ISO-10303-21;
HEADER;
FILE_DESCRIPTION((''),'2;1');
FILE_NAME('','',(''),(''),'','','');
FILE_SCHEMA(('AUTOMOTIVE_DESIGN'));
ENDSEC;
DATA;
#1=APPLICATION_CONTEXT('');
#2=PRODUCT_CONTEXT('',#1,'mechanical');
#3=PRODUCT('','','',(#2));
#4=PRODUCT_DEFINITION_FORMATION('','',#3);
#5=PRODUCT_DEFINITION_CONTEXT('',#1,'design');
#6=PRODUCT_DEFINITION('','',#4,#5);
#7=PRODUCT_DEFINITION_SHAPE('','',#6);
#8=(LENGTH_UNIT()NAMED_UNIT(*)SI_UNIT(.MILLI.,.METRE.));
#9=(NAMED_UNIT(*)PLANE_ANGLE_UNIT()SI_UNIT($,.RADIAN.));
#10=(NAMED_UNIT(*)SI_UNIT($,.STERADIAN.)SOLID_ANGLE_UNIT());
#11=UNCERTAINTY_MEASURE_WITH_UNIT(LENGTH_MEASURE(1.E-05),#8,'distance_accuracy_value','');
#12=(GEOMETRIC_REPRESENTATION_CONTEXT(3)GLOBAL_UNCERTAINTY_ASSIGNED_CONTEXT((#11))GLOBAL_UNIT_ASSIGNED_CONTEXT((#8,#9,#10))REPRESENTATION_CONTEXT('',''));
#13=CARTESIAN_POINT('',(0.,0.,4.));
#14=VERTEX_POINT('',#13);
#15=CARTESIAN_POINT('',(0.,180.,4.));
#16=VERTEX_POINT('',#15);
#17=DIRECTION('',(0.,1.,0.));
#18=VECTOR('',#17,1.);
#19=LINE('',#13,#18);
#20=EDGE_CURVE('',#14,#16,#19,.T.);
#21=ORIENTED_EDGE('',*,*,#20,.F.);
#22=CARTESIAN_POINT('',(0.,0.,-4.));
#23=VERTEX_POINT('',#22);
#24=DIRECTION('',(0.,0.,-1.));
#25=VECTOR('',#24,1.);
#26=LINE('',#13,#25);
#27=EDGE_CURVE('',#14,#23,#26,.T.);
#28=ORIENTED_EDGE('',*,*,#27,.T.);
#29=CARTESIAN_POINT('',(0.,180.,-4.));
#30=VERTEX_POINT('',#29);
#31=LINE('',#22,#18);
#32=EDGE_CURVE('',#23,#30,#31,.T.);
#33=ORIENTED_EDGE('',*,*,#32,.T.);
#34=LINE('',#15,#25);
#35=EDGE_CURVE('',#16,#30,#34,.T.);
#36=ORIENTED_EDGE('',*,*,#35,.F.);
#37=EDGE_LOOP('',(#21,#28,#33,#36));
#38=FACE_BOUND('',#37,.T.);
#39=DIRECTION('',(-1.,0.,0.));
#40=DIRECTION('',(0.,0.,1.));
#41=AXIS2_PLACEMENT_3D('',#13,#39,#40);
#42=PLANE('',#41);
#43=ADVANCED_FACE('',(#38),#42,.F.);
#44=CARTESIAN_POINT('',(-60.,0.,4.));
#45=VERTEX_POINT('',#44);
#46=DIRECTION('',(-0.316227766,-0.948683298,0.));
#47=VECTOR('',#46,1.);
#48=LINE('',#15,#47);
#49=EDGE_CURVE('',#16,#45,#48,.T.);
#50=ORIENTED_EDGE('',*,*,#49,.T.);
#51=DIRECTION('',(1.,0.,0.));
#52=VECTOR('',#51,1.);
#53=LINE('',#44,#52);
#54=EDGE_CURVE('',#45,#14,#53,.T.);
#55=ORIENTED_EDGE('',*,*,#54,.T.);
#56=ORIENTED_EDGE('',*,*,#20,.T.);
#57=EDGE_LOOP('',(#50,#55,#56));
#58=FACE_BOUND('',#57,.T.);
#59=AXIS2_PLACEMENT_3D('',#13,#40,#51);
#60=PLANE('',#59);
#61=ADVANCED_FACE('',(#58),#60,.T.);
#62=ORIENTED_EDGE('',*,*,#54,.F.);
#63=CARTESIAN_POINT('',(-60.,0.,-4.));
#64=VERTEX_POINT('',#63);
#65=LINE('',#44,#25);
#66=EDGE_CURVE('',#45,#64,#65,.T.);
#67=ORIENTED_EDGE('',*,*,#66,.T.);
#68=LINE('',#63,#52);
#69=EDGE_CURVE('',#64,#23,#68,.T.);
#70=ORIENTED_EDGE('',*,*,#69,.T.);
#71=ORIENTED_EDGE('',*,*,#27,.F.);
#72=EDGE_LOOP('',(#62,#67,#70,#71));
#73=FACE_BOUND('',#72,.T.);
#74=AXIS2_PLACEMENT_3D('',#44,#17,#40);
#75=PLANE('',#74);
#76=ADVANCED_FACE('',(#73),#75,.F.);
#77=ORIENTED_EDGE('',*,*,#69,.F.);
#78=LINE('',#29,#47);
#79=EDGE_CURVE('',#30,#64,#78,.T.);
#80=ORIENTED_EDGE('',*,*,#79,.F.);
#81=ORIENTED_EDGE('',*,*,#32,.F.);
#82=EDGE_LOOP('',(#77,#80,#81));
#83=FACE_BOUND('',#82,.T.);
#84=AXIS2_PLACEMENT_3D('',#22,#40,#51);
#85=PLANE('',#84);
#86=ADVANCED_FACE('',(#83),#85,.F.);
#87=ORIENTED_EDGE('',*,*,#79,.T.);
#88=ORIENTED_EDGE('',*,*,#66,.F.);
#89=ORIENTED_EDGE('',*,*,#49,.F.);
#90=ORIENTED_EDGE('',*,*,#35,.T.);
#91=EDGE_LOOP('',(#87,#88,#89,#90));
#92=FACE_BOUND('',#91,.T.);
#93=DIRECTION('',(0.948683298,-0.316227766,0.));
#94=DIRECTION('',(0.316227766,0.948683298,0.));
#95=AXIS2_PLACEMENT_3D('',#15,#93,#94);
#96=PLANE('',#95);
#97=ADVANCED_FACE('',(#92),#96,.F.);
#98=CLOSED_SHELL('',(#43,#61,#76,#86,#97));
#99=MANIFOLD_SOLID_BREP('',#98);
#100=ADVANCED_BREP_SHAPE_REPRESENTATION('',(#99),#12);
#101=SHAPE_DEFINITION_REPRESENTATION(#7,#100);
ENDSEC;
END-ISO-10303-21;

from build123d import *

# Parameters (mm, degrees)
BOSS_EXTRUDE1_DEPTH = 4


with BuildPart() as part:
    # Sketch1 → Boss-Extrude1 (new body, symmetric)
    with BuildSketch(Plane.XY):
        Polygon((0, 0), (0, 180), (-60, 0), align=None)
    extrude(amount=BOSS_EXTRUDE1_DEPTH, both=True)


solid = part.part
